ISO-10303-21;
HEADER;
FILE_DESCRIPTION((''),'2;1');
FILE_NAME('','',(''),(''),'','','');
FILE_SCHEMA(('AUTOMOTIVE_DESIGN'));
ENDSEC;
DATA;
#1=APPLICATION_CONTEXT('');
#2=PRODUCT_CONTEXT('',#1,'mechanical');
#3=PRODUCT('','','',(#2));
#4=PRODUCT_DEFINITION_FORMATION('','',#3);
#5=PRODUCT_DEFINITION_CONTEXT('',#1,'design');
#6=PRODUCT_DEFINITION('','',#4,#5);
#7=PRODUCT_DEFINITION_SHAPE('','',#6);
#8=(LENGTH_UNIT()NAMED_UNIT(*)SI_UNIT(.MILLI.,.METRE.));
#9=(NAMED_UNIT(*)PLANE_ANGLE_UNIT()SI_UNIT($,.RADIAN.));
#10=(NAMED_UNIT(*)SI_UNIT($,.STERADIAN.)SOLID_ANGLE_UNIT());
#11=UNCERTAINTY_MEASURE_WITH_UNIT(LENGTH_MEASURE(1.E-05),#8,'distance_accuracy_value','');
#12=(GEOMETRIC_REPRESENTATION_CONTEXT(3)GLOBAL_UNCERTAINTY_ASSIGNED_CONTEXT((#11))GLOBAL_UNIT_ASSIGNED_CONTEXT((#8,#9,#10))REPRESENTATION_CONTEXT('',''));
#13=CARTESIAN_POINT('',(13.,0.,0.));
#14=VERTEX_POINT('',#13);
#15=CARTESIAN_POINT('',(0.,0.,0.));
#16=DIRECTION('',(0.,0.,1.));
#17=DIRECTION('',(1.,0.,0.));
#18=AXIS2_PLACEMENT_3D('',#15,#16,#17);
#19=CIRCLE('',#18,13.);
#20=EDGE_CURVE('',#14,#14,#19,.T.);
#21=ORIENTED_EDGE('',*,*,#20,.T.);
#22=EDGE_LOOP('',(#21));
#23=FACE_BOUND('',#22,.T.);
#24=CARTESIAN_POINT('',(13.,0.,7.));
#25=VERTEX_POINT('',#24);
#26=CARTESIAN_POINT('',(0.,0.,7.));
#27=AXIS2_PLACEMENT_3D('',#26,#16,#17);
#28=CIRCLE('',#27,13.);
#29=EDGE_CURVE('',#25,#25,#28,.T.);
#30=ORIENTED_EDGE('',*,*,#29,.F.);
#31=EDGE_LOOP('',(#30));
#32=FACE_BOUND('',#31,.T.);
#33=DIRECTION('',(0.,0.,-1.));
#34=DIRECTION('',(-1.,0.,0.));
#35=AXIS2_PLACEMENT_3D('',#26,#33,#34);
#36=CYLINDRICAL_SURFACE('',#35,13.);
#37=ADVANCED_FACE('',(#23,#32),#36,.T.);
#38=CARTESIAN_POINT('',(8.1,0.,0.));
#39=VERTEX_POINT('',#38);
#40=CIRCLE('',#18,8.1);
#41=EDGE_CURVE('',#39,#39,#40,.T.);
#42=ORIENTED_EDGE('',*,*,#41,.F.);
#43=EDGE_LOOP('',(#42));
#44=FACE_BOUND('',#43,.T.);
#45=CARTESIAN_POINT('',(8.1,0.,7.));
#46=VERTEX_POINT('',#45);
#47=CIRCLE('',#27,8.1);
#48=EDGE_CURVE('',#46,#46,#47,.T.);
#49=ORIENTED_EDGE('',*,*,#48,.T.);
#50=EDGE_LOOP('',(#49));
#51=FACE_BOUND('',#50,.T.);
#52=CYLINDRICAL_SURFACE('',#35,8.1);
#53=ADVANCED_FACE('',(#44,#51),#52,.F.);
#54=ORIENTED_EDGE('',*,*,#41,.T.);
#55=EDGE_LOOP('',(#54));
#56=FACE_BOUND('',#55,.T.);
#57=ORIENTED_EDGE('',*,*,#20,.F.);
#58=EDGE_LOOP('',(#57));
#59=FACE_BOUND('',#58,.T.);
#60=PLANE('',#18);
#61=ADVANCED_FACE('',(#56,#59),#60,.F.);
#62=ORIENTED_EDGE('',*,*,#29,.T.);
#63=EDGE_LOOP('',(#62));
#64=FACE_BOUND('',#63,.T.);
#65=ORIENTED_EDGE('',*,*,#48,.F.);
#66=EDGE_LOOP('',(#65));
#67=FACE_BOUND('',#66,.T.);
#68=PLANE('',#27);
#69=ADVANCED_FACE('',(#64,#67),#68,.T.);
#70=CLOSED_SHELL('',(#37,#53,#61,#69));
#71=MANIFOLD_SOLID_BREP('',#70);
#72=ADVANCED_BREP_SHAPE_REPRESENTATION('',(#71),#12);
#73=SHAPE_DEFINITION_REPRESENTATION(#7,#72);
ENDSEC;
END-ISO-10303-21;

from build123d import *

# Parameters (mm, degrees)
SKETCH_1_R      = 13
SKETCH_1_R_2    = 8.1
EXTRUDE_1_DEPTH = 7


with BuildPart() as part:
    # 草图1 → 凸台-拉伸1 (new body)
    with BuildSketch(Plane.XY):
        Circle(SKETCH_1_R)
        Circle(SKETCH_1_R_2, mode=Mode.SUBTRACT)
    extrude(amount=EXTRUDE_1_DEPTH)


solid = part.part
